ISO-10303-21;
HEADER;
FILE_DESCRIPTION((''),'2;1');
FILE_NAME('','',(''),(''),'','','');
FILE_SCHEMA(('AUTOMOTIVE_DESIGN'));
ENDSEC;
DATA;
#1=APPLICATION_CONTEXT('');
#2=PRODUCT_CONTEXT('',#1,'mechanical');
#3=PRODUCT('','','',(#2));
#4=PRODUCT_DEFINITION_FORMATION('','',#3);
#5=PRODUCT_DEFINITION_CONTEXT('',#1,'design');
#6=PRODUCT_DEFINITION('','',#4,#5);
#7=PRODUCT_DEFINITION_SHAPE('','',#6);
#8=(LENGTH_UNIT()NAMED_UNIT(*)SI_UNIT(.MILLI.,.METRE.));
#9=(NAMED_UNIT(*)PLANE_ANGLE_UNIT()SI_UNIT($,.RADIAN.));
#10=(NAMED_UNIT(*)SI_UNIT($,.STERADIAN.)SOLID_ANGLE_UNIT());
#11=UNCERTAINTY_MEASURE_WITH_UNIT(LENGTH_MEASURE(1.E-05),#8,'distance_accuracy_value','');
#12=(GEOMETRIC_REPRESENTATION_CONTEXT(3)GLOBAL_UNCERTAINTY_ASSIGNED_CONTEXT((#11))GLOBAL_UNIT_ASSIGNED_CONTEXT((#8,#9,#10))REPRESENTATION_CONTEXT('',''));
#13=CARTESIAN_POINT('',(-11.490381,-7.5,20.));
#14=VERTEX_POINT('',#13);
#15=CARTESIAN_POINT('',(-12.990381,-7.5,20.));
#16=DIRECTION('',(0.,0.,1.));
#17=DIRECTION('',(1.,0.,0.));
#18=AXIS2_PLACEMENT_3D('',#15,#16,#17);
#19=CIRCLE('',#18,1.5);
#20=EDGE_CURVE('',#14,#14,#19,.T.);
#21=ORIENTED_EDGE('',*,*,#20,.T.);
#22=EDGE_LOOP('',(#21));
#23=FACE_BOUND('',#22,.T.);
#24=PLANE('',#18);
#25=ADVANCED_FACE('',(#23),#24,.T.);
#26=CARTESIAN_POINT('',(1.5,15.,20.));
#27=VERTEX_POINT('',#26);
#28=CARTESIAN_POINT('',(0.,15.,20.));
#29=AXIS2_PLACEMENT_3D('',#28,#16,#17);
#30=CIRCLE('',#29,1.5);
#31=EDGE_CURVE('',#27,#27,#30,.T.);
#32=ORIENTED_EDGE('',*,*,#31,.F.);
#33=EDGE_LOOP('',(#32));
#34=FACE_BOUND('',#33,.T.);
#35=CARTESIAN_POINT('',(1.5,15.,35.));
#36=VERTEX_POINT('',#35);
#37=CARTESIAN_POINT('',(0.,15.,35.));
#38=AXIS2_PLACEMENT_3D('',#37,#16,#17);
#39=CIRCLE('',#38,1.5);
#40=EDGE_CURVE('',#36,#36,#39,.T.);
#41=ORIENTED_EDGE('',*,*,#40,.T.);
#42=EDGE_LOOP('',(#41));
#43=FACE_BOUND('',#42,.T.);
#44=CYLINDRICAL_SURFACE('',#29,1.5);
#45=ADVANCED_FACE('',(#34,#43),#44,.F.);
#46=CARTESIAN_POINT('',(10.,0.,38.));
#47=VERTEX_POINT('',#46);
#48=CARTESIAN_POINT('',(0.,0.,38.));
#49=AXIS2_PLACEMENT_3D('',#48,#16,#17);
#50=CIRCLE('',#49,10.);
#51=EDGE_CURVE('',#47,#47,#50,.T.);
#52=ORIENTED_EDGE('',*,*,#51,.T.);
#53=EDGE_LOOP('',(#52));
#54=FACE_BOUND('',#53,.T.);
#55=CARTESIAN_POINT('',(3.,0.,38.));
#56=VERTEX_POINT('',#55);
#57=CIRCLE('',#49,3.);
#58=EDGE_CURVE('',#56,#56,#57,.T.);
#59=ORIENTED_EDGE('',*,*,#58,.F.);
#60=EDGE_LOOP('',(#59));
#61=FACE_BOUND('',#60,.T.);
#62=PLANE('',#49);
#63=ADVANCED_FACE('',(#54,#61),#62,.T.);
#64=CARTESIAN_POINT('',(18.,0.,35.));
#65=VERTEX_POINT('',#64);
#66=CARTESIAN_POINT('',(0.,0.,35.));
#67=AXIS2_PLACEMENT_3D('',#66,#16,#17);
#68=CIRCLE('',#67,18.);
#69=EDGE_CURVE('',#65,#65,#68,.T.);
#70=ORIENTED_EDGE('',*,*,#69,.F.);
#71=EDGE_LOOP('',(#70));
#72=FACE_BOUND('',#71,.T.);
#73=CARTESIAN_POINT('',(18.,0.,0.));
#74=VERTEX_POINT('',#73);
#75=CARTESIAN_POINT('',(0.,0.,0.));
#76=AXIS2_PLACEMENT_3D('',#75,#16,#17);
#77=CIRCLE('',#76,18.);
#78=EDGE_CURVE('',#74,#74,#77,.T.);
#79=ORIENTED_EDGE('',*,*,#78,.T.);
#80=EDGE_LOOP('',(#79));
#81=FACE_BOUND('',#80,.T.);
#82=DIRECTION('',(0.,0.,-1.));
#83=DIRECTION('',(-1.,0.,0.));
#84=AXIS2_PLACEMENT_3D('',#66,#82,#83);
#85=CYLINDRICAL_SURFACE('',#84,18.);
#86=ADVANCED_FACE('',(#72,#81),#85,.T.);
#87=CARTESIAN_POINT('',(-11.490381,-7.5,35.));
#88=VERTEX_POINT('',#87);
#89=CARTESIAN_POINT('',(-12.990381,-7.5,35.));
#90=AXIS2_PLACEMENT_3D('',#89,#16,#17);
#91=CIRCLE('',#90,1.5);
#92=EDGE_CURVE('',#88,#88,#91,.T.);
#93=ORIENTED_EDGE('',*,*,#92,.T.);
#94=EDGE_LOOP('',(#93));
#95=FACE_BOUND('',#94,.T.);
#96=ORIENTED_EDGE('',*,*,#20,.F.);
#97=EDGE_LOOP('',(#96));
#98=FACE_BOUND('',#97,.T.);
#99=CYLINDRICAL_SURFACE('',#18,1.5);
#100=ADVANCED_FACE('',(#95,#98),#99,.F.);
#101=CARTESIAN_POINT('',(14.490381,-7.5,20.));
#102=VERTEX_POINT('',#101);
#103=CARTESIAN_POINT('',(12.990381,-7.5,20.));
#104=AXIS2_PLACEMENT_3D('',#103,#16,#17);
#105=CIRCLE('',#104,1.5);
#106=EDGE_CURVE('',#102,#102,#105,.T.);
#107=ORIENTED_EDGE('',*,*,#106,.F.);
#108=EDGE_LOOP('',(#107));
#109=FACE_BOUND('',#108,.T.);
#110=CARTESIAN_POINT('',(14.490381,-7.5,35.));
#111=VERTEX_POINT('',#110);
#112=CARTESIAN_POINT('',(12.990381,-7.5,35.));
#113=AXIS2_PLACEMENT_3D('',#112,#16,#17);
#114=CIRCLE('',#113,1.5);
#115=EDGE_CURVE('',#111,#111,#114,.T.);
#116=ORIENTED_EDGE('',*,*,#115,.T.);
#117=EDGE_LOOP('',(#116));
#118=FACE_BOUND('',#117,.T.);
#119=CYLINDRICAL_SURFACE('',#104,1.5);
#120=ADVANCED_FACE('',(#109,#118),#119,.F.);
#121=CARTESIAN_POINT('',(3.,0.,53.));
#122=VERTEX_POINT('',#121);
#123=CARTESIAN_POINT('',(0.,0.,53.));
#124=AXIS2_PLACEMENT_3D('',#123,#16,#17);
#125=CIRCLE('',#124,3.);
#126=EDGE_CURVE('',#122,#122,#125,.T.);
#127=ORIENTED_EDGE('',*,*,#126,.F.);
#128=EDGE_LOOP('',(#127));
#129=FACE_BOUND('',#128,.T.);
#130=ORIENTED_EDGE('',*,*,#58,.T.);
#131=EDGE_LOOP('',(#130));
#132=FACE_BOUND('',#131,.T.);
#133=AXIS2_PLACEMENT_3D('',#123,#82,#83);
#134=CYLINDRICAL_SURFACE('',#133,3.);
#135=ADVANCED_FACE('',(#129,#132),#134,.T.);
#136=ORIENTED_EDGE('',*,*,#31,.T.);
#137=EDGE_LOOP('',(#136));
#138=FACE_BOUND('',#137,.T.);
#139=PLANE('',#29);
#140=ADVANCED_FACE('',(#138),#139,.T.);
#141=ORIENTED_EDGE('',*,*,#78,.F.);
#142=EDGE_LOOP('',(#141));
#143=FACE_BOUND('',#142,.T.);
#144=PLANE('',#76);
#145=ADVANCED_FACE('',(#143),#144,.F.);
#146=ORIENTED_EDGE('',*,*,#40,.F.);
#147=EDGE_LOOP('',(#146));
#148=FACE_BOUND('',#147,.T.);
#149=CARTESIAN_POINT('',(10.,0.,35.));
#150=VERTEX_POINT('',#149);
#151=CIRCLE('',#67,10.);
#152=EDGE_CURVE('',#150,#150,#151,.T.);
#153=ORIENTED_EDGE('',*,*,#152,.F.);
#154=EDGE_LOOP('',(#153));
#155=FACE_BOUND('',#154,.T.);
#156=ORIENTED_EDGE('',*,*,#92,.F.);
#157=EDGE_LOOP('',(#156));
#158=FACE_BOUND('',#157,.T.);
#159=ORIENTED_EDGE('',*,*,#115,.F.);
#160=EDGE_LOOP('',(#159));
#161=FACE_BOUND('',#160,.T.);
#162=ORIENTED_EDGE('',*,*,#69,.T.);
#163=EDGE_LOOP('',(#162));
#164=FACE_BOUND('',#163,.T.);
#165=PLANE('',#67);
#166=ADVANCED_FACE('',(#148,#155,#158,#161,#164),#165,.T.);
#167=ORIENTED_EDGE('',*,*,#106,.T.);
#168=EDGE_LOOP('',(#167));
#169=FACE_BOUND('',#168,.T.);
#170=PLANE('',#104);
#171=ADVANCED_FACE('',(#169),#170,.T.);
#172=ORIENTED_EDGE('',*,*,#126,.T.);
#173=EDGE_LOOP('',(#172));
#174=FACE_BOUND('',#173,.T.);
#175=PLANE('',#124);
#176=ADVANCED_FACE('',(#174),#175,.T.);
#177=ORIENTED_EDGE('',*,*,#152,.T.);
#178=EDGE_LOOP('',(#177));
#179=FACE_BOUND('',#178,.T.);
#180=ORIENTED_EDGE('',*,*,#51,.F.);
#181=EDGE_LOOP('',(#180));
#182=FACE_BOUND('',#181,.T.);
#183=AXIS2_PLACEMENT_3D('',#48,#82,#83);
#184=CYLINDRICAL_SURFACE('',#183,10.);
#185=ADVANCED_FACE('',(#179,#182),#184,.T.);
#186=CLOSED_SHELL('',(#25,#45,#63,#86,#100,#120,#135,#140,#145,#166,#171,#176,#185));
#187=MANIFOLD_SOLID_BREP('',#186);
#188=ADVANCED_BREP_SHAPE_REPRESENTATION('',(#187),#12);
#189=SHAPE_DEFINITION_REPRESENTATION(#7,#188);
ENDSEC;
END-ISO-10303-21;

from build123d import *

# Parameters (mm, degrees)
SKETCH1_R           = 18
BOSS_EXTRUDE1_DEPTH = 35
SKETCH2_R           = 10
BOSS_EXTRUDE2_DEPTH = 3
SKETCH3_R           = 3
BOSS_EXTRUDE3_DEPTH = 15
SKETCH4_R           = 1.5
CUT_EXTRUDE1_DEPTH  = 15


with BuildPart() as part:
    # Sketch1 → Boss-Extrude1 (new body)
    with BuildSketch(Plane.XY):
        Circle(SKETCH1_R)
    extrude(amount=BOSS_EXTRUDE1_DEPTH)

    # Sketch2 → Boss-Extrude2 (add)
    with BuildSketch(Plane.XY.offset(35)):
        Circle(SKETCH2_R)
    extrude(amount=BOSS_EXTRUDE2_DEPTH)

    # Sketch3 → Boss-Extrude3 (add)
    with BuildSketch(Plane.XY.offset(38)):
        Circle(SKETCH3_R)
    extrude(amount=BOSS_EXTRUDE3_DEPTH)

    # Sketch4 → Cut-Extrude1 (cut)
    with BuildSketch(Plane.XY.offset(35)):
        with Locations((0, 15)):
            Circle(SKETCH4_R)
        with Locations((12.990381057, -7.5)):
            Circle(SKETCH4_R)
        with Locations((-12.990381057, -7.5)):
            Circle(SKETCH4_R)
    extrude(amount=-CUT_EXTRUDE1_DEPTH, mode=Mode.SUBTRACT)


solid = part.part
